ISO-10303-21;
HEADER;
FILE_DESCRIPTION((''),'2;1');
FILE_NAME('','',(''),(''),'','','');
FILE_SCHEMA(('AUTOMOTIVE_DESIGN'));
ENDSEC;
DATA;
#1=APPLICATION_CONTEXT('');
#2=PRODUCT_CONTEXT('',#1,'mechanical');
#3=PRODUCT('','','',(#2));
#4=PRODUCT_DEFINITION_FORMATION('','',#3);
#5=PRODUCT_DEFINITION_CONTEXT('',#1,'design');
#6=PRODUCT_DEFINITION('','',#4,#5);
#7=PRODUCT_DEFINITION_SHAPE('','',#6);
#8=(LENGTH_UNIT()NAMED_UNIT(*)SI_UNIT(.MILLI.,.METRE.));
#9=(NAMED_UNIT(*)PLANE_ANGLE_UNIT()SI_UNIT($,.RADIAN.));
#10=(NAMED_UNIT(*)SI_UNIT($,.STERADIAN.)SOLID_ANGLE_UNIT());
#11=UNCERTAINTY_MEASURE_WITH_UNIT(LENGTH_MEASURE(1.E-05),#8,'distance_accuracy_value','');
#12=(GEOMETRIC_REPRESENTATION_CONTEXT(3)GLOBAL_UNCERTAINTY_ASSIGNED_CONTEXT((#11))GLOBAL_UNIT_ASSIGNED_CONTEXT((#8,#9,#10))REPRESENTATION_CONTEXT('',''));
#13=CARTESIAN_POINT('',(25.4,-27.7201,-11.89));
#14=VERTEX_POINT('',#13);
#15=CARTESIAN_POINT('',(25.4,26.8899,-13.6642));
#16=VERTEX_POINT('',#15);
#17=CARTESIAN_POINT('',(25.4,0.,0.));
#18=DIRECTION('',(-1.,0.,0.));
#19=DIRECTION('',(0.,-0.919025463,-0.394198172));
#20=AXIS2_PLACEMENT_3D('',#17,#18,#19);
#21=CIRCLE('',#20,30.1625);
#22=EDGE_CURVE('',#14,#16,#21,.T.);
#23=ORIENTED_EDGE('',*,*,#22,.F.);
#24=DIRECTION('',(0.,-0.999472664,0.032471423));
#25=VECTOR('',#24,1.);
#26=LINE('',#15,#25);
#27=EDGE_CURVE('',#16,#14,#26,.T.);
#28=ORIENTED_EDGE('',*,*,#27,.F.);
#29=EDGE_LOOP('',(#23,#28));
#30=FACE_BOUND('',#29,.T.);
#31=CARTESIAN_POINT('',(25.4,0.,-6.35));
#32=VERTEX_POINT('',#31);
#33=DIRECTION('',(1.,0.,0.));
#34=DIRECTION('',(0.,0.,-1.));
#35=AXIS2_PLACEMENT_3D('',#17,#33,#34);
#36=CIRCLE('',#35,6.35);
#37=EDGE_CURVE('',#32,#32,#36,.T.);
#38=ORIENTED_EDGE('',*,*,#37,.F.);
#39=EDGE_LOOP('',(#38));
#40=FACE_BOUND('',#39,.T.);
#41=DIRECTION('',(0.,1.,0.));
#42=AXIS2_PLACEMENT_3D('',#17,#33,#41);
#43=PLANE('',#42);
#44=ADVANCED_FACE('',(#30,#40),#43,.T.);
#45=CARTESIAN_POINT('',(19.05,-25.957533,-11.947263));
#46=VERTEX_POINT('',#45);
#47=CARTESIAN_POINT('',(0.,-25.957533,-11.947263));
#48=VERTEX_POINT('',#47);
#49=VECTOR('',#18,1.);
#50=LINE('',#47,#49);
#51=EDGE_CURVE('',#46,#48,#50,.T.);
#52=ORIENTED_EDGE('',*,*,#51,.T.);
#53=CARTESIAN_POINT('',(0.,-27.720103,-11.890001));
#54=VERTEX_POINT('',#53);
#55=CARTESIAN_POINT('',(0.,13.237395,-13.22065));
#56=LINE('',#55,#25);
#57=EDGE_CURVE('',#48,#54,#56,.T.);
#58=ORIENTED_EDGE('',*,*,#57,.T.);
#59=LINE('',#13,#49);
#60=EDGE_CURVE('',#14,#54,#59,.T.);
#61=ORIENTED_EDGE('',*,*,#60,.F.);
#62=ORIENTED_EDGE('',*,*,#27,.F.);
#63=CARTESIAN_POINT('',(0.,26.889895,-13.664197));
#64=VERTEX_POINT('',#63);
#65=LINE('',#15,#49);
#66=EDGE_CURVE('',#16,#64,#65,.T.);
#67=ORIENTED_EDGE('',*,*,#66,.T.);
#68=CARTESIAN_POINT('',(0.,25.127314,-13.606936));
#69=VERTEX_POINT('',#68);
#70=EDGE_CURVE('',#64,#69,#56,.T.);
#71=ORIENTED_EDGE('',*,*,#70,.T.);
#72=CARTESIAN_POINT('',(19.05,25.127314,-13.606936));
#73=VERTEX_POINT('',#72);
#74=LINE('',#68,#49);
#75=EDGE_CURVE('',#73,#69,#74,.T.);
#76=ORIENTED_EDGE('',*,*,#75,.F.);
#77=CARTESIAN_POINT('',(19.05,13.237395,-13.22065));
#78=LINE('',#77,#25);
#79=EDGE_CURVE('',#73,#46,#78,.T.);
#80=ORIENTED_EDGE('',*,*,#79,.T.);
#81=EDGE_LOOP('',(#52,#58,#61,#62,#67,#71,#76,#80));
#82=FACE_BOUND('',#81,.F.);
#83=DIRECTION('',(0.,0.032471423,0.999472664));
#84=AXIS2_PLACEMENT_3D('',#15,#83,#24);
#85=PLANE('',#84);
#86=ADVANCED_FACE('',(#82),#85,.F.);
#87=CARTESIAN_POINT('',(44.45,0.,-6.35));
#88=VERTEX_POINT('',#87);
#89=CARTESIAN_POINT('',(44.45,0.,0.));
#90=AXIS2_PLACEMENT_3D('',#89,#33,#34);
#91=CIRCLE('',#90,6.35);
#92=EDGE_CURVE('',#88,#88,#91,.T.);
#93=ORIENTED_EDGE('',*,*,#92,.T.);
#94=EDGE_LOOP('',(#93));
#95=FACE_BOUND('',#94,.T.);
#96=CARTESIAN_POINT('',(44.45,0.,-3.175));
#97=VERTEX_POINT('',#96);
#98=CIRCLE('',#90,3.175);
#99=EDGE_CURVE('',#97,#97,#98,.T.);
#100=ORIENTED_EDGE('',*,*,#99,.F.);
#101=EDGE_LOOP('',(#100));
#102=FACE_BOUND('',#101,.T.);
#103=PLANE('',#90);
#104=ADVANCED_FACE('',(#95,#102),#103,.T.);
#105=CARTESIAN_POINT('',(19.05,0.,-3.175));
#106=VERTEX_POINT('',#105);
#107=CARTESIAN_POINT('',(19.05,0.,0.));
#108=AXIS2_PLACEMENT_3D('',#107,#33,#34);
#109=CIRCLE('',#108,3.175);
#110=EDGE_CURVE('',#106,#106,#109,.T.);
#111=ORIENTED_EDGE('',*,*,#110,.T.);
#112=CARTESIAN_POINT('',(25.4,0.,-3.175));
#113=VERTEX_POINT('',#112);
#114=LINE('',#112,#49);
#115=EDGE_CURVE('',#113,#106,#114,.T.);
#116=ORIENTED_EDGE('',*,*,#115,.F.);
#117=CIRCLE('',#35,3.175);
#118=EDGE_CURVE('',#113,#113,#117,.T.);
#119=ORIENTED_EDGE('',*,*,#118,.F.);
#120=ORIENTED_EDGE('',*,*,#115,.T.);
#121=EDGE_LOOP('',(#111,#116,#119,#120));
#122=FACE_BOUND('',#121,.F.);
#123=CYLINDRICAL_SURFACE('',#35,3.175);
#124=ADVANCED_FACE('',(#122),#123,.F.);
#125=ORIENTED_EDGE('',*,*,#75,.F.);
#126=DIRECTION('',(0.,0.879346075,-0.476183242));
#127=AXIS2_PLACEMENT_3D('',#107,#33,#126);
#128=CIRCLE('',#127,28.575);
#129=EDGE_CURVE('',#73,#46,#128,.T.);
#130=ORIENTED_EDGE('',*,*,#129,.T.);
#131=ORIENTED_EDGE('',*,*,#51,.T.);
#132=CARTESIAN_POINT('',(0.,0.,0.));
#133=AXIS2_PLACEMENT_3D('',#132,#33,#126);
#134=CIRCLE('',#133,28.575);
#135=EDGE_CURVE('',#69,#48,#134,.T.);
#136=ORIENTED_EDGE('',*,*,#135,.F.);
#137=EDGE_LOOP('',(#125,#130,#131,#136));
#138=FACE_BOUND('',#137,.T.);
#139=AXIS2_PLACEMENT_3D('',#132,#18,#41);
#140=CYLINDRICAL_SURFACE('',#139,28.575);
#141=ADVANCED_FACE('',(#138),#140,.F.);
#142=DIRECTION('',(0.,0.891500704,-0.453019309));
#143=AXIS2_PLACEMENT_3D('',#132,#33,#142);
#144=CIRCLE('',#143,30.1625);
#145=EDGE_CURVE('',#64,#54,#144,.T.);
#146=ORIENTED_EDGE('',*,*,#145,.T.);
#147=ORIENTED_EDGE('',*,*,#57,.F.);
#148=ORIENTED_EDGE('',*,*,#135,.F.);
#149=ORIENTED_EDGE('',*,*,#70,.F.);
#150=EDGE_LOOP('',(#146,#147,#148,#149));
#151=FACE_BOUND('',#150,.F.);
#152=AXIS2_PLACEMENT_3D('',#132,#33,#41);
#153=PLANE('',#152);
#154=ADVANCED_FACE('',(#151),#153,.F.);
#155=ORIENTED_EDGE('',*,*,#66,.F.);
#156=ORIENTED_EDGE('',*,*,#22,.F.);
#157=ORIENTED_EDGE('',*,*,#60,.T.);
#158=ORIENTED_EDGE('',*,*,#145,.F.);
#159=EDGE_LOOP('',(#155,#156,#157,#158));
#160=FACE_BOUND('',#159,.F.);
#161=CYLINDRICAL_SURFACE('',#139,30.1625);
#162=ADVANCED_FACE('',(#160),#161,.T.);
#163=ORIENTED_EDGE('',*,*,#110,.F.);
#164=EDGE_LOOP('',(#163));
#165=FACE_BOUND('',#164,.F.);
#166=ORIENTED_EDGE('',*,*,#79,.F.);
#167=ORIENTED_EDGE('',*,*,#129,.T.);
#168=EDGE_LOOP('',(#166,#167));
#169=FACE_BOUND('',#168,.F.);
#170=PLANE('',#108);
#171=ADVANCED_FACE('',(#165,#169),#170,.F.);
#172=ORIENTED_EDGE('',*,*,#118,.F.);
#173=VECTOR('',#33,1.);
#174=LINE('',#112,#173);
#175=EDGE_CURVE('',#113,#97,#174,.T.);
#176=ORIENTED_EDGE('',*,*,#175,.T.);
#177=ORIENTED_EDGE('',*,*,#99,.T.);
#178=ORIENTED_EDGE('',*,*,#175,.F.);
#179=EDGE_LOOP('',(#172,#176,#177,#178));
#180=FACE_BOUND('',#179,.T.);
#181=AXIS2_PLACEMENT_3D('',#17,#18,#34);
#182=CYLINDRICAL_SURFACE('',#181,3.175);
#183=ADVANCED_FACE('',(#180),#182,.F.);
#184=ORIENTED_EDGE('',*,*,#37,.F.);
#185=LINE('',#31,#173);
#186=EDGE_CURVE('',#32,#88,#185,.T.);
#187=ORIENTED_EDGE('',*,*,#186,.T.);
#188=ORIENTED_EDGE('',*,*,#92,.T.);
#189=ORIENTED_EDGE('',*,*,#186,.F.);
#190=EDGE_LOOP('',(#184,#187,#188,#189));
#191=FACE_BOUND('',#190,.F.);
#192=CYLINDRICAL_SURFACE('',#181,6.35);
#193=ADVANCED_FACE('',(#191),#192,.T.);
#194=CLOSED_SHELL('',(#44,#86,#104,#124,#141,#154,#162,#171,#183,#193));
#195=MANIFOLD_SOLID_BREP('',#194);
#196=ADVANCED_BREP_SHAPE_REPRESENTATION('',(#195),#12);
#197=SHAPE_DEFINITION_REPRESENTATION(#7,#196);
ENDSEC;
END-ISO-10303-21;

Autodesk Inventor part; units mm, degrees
ref_plane "YZ Plane" through (0, 0, 0) normal (1, 0, 0) x (0, 1, 0)
ref_plane "XZ Plane" through (0, 0, 0) normal (0, 1, 0) x (-1, 0, 0)
ref_plane "XY Plane" through (0, 0, 0) normal (0, 0, 1) x (1, 0, 0)
sketch "Sketch1" plane through (0, 0, 0) normal (1, 0, 0) x (0, 1, 0)
  circle A0 centre (0, 0) radius 28.575
  circle A1 centre (0, 0) radius 30.1625
  dimension "d0" = 57.15
  dimension "d1" = 60.325
extrude "Extrusion1" add sketch "Sketch1" along normal blind 25.4
sketch "Sketch2" plane through (25.4, 0, 0) normal (1, 0, 0) x (0, 0, -1)
  circle A0 centre (0, 0) radius 28.575 projected
  circle A1 centre (0, 0) radius 30.1625 projected
extrude "Extrusion2" add sketch "Sketch2" against normal blind 6.35 contours A0 | A1
sketch "Sketch3" plane through (25.4, 0, 0) normal (1, 0, 0) x (0, 0, -1)
  line L0 (13.6642, 26.8899) -> (11.89, -27.7201)
  circle A0 centre (0, 0) radius 30.1625 projected
  dimension "d6" = 54.61
extrude "Extrusion3" cut sketch "Sketch3" against normal through all contours A0 L0 picked at (14.9201, 7.4757)
sketch "Sketch4" plane through (25.4, 0, 0) normal (1, 0, 0) x (0, 0, -1)
  circle A0 centre (0, 0) radius 3.175
  dimension "d9" = 6.35
extrude "Extrusion4" cut sketch "Sketch4" against normal through all
sketch "Sketch5" plane through (25.4, 0, 0) normal (1, 0, 0) x (0, 0, -1)
  circle A0 centre (0, 0) radius 3.175 projected
  circle A1 centre (0, 0) radius 6.35
  dimension "d12" = 6.35
  dimension "d13" = 12.7
extrude "Extrusion5" add sketch "Sketch5" along normal blind 19.05
properties part number "chain stashonary out part"
